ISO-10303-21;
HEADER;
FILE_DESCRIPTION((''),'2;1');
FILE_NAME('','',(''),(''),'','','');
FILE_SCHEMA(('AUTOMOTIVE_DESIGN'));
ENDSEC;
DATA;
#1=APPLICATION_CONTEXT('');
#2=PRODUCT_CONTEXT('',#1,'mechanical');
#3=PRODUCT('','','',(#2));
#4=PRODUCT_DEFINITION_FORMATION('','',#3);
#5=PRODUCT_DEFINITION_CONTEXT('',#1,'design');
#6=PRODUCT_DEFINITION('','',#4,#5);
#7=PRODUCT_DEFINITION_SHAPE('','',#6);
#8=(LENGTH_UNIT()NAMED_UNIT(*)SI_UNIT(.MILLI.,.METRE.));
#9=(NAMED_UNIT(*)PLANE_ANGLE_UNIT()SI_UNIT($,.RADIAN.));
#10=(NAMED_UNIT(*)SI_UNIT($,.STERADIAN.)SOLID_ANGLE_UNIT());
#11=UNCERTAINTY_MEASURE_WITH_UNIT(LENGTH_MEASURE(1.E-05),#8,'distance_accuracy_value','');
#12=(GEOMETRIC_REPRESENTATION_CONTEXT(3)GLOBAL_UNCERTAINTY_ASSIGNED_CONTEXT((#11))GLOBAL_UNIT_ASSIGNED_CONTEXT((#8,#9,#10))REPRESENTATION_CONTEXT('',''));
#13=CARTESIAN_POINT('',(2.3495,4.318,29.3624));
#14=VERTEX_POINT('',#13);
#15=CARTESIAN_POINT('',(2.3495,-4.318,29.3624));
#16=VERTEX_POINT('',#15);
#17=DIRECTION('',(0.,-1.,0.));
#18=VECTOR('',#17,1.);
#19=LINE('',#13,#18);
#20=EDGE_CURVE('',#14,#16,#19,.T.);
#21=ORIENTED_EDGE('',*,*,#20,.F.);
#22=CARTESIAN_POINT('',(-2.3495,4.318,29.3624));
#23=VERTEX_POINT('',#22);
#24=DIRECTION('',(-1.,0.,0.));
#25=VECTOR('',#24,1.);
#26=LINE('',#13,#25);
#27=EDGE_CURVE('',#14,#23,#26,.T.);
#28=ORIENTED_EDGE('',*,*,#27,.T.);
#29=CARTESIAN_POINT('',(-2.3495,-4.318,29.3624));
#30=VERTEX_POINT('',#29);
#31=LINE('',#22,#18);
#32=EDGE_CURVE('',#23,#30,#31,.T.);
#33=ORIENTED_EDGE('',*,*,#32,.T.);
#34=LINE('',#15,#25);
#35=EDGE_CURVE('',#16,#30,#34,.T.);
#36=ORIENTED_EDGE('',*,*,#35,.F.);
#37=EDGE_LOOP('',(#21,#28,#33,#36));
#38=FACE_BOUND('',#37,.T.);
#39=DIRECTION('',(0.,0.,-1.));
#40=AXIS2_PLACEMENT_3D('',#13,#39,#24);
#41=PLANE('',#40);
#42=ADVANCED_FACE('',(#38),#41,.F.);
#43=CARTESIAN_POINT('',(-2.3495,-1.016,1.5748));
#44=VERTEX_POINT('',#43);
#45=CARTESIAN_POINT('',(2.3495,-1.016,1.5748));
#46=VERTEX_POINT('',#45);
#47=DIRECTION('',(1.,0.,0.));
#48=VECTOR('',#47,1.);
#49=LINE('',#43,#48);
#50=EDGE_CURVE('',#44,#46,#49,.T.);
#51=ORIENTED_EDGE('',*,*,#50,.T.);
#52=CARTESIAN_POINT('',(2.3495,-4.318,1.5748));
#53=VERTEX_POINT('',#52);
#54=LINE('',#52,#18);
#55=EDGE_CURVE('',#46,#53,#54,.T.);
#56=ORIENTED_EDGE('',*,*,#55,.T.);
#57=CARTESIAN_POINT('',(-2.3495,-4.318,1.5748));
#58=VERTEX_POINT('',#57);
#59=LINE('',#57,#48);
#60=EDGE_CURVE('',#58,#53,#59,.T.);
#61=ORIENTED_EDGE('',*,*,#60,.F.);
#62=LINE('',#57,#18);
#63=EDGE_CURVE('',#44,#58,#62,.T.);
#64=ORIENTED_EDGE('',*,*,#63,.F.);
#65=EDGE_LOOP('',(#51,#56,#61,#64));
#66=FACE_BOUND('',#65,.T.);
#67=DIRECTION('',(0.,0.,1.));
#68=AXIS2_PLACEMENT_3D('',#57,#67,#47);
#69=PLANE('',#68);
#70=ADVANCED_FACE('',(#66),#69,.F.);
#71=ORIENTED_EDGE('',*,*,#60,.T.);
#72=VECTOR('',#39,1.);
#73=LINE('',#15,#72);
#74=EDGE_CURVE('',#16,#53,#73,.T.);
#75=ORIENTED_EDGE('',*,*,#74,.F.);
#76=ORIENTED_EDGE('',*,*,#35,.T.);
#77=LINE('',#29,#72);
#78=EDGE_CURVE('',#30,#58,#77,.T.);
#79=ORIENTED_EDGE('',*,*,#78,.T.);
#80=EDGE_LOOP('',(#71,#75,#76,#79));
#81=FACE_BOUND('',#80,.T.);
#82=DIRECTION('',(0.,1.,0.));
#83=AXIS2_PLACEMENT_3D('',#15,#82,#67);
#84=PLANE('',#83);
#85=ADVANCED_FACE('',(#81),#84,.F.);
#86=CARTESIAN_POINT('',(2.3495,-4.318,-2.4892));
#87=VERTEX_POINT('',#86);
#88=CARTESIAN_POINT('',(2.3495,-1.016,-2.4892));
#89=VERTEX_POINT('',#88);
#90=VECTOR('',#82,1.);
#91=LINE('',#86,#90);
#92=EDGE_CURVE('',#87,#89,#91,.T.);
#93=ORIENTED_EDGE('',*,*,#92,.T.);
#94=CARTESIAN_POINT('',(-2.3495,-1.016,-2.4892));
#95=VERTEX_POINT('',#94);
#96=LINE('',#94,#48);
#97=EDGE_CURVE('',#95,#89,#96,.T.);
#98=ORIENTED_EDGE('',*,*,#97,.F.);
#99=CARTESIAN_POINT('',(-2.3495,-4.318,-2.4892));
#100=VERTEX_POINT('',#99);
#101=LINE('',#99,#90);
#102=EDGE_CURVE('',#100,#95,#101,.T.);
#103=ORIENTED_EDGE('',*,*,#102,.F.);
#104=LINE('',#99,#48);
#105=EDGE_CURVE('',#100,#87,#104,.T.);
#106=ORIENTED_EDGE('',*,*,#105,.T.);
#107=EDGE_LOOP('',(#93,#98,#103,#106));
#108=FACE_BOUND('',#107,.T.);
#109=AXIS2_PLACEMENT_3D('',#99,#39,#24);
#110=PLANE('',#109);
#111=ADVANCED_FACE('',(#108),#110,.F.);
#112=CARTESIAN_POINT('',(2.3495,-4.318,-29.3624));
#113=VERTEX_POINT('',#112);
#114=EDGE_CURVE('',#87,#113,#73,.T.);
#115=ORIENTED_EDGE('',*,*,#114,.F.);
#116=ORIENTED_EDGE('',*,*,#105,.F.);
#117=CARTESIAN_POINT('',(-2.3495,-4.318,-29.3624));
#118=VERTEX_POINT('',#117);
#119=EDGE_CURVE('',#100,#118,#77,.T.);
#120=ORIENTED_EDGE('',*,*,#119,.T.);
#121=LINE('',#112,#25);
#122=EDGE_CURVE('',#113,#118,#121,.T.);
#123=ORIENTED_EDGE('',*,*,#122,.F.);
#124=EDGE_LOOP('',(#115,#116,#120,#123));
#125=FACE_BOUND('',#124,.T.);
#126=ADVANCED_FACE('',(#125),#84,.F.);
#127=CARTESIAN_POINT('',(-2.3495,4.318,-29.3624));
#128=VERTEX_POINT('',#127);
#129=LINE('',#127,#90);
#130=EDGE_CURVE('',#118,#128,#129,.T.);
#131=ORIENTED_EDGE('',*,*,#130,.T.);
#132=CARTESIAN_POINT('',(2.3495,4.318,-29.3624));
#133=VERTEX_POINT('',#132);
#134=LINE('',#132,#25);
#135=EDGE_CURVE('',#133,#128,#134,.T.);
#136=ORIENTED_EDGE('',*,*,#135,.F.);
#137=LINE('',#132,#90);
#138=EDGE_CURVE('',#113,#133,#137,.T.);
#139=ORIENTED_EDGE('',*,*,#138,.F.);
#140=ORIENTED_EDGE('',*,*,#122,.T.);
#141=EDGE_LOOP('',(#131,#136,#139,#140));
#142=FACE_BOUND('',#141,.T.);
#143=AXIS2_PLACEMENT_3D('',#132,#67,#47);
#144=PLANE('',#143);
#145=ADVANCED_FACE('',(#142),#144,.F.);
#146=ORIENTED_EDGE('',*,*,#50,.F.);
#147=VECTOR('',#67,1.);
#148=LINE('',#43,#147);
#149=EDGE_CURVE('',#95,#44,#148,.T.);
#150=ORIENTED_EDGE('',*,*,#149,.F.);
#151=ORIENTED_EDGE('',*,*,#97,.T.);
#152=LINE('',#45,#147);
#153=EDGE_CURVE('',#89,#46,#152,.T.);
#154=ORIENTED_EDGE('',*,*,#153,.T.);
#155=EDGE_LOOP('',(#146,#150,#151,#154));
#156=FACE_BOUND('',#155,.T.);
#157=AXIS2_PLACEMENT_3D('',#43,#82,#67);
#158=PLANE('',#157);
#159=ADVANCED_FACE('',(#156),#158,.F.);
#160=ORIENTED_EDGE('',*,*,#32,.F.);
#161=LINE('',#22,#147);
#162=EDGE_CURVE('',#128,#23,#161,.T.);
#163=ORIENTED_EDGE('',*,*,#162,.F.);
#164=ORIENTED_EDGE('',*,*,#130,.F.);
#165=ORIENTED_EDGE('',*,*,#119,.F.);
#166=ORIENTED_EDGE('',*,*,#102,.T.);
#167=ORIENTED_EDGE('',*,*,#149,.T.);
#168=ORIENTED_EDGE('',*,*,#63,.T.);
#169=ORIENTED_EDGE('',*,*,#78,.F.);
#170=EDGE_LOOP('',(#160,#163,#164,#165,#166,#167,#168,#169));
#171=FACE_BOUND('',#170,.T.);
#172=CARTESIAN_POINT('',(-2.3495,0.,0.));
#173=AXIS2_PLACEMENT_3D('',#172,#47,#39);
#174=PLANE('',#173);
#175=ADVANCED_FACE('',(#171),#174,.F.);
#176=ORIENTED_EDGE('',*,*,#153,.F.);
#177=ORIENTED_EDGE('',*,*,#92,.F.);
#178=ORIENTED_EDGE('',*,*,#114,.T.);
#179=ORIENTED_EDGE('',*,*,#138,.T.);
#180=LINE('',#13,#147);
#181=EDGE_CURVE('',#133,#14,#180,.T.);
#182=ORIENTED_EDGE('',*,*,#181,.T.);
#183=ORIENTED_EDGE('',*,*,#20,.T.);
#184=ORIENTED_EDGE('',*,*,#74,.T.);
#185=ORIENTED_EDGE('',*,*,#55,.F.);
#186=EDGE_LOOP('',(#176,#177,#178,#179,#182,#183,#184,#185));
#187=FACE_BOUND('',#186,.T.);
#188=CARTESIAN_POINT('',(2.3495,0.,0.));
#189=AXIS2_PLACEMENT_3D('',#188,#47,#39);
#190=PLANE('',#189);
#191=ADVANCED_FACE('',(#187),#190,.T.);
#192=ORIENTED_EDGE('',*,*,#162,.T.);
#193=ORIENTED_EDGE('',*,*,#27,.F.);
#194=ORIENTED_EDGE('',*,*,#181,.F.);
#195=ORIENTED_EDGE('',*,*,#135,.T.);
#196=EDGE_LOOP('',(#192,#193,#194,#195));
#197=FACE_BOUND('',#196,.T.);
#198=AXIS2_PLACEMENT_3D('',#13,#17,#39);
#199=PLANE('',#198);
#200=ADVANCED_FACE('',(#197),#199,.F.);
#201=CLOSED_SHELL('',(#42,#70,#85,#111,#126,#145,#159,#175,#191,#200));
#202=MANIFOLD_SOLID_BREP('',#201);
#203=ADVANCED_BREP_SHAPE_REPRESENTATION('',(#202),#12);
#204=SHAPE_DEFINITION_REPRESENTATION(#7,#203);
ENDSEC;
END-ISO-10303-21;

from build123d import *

# Parameters (mm, degrees)
SKETCH1_W           = 58.7248
SKETCH1_H           = 8.636
BOSS_EXTRUDE1_DEPTH = 2.3495
SKETCH2_W           = 4.064
SKETCH2_H           = 3.302
CUT_EXTRUDE1_DEPTH  = 4.699


with BuildPart() as part:
    # Sketch1 → Boss-Extrude1 (new body, symmetric)
    with BuildSketch(Plane(origin=(0, 0, 0), x_dir=(0, 0, -1), z_dir=(1, 0, 0))):
        Rectangle(SKETCH1_W, SKETCH1_H)
    extrude(amount=BOSS_EXTRUDE1_DEPTH, both=True)

    # Sketch2 → Cut-Extrude1 (cut)
    with BuildSketch(Plane(origin=(2.3495, 0, 0), x_dir=(0, 0, -1), z_dir=(1, 0, 0))):
        with Locations((0.4572, -2.667)):
            Rectangle(SKETCH2_W, SKETCH2_H)
    extrude(amount=-CUT_EXTRUDE1_DEPTH, mode=Mode.SUBTRACT)


solid = part.part
